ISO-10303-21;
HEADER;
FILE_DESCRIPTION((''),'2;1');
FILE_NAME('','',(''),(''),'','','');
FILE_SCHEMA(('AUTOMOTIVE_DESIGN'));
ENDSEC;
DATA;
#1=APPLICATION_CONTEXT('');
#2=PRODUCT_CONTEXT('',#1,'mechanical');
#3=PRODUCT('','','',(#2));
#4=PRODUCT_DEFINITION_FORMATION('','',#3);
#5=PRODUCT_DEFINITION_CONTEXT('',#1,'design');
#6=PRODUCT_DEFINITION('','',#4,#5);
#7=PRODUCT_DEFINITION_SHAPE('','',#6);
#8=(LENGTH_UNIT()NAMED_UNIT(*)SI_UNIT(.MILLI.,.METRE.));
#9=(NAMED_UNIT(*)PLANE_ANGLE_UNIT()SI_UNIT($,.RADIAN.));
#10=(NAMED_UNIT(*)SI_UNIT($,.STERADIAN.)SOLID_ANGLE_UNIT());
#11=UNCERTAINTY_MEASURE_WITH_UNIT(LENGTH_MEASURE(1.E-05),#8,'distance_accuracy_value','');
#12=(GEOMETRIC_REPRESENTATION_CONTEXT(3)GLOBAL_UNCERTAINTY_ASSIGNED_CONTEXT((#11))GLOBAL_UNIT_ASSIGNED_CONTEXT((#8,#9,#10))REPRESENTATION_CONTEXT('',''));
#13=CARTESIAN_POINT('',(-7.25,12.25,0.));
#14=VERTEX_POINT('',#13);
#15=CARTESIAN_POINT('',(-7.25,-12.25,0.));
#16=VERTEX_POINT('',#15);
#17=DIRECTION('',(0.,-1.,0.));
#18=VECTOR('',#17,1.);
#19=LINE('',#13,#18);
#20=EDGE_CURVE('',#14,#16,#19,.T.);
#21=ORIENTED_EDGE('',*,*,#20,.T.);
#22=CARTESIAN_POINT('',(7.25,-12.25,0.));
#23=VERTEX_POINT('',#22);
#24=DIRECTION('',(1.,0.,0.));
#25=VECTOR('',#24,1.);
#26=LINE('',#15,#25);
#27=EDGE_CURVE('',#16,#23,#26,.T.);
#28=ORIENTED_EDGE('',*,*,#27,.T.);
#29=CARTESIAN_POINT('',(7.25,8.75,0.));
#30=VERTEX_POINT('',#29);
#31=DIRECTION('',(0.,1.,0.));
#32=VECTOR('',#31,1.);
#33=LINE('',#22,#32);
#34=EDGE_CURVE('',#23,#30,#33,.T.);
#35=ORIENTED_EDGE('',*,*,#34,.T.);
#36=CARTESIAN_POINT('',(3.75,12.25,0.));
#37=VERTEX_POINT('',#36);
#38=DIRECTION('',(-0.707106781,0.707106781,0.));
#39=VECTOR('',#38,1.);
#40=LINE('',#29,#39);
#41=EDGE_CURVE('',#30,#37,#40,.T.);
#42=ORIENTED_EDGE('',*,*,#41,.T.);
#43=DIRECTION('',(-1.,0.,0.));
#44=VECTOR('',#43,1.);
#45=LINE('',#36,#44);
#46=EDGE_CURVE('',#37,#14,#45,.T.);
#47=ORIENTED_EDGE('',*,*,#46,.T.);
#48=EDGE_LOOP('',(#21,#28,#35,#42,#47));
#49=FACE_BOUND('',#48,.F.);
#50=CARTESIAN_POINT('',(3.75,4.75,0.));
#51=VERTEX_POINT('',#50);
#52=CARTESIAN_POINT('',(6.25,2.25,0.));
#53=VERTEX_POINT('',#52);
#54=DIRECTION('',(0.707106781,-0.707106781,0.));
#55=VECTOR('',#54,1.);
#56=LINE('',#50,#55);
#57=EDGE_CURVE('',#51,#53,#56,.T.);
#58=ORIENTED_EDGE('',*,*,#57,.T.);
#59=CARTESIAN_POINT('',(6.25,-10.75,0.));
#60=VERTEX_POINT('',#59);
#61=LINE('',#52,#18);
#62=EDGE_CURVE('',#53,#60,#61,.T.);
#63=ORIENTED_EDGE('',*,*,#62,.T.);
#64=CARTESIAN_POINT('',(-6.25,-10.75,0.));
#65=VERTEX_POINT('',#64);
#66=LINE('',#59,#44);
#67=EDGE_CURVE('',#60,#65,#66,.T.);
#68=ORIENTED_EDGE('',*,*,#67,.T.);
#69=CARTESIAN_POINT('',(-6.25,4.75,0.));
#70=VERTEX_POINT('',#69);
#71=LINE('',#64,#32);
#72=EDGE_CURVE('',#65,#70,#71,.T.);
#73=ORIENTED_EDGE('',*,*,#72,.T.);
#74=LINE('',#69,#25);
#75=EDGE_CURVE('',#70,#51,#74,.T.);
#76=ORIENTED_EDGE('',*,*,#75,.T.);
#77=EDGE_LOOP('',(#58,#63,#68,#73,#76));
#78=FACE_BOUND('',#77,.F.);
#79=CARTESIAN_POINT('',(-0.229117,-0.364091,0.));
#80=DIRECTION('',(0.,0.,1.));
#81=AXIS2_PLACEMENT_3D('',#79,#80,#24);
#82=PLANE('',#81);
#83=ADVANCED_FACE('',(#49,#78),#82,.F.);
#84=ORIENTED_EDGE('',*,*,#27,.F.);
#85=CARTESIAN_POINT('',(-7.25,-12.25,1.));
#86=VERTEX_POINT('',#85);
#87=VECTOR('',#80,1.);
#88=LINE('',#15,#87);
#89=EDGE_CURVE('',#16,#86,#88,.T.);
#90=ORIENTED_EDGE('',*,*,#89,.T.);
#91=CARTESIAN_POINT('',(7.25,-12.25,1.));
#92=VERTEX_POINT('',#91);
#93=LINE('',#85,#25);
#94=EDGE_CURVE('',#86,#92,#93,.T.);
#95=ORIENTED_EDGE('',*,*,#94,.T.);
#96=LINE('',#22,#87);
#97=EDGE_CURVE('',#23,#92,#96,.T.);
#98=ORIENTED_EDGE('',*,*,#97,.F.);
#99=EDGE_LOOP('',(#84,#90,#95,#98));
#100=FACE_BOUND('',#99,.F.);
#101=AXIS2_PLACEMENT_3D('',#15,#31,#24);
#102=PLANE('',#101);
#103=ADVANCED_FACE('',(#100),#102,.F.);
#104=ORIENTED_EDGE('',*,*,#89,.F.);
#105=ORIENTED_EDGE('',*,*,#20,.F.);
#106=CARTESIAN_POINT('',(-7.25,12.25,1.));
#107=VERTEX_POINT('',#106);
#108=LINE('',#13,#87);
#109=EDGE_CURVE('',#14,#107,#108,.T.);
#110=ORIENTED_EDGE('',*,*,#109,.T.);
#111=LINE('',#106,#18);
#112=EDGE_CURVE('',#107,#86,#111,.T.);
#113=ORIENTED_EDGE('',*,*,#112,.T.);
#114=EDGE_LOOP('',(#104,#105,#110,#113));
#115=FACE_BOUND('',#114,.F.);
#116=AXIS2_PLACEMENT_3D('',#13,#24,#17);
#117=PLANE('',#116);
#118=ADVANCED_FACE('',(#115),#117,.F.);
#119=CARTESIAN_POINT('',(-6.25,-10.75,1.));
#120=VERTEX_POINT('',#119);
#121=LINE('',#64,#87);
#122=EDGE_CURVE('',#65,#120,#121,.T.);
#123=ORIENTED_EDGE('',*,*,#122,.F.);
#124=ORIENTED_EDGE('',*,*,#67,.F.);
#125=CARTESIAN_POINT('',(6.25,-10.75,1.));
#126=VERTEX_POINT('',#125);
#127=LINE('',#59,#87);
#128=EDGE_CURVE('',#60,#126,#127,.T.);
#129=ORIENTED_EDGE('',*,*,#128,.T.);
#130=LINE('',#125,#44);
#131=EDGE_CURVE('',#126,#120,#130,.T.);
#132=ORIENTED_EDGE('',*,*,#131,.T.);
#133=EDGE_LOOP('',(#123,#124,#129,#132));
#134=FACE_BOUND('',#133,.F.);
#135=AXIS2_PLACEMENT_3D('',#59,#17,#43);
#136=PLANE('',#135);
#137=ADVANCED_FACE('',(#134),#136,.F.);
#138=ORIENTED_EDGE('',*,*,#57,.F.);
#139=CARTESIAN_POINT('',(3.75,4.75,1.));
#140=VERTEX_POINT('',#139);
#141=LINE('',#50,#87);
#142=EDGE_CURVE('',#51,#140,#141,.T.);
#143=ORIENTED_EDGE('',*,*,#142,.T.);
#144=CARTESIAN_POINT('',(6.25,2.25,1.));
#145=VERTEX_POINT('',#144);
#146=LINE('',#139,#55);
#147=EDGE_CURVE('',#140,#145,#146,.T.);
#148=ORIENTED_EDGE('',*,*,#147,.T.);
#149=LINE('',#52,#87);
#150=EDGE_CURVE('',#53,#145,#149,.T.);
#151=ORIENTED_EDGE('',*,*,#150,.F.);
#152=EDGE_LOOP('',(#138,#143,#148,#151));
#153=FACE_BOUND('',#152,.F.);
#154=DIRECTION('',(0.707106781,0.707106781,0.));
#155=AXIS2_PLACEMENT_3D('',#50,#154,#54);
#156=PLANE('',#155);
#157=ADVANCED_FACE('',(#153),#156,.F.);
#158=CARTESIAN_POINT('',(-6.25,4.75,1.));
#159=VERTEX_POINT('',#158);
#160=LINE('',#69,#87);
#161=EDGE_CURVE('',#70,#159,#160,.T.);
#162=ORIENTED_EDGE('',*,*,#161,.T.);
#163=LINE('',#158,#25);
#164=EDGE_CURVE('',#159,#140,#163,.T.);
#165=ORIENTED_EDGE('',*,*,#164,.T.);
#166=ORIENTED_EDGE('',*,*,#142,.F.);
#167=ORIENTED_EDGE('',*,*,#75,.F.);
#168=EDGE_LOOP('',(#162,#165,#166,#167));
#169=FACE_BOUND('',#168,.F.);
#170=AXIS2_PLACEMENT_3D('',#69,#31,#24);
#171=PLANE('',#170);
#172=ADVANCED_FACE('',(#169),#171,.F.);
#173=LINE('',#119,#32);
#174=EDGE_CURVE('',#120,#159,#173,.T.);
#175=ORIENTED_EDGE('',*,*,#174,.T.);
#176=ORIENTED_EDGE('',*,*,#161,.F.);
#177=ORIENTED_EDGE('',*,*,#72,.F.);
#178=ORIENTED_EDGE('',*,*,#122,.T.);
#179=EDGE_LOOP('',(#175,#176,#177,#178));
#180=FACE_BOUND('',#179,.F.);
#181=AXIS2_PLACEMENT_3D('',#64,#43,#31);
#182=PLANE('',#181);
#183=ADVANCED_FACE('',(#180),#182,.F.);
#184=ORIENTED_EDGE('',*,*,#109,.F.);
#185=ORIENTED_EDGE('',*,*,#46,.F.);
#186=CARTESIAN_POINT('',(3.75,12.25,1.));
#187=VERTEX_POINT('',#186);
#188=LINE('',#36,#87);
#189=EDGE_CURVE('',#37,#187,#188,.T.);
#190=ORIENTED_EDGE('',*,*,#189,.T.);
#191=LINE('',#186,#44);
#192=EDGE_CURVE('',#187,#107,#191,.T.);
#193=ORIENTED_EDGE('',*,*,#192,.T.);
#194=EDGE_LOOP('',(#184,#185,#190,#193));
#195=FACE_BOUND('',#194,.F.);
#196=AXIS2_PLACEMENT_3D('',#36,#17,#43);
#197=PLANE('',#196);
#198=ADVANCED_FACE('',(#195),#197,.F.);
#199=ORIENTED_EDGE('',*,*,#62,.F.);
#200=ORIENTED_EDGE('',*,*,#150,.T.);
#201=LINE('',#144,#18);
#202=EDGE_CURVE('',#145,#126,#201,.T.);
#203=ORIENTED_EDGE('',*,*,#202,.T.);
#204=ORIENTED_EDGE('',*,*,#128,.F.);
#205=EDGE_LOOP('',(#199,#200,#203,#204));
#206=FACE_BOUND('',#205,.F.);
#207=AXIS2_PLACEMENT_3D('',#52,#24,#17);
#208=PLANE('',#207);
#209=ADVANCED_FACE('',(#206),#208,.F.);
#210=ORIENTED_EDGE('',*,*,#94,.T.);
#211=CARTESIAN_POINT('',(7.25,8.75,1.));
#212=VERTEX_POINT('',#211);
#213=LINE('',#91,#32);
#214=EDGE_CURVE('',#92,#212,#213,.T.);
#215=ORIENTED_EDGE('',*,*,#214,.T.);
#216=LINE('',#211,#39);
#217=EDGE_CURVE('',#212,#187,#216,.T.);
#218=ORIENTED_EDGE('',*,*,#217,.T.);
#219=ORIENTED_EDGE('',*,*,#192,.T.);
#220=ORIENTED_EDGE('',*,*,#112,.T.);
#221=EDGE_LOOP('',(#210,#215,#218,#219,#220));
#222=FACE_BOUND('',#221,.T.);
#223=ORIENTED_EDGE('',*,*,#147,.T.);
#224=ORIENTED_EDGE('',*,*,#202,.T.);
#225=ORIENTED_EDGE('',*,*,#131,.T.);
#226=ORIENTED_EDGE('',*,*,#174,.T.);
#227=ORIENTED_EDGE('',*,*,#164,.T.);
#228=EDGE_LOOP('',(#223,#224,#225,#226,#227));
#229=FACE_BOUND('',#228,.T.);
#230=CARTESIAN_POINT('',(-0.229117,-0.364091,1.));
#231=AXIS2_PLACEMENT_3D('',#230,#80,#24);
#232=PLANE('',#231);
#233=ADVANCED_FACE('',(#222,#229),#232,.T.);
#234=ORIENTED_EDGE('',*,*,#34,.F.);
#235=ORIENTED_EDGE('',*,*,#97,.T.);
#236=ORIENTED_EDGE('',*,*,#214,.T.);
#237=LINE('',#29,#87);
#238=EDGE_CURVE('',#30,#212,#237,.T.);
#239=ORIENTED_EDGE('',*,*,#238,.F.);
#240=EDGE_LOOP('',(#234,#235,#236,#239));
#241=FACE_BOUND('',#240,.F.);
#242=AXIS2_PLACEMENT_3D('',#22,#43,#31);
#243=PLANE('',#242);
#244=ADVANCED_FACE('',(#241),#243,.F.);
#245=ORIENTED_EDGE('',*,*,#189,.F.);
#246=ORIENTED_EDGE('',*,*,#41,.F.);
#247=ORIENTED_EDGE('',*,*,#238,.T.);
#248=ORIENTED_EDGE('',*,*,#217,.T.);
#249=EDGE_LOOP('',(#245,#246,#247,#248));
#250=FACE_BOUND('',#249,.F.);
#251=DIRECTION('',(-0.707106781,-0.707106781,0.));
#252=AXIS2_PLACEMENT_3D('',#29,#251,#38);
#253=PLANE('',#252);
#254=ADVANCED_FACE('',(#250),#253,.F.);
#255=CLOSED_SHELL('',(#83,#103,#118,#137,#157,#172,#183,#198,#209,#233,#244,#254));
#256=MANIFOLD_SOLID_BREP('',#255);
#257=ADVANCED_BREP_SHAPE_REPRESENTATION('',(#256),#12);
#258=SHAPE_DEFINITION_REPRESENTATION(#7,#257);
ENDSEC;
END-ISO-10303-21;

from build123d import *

# Parameters (mm, degrees)
F1_DEPTH = 1


with BuildPart() as f1:
    # F0 (on Top) → F1 (new body)
    with BuildSketch(Plane.XY):
        Polygon((-7.25, -12.25), (7.25, -12.25), (7.25, 8.75), (3.75, 12.25), (-7.25, 12.25), align=None)
        Polygon((6.25, 2.25), (6.25, -10.75), (-6.25, -10.75), (-6.25, 4.75), (3.75, 4.75), align=None, mode=Mode.SUBTRACT)
    extrude(amount=F1_DEPTH)


solid = f1.part
